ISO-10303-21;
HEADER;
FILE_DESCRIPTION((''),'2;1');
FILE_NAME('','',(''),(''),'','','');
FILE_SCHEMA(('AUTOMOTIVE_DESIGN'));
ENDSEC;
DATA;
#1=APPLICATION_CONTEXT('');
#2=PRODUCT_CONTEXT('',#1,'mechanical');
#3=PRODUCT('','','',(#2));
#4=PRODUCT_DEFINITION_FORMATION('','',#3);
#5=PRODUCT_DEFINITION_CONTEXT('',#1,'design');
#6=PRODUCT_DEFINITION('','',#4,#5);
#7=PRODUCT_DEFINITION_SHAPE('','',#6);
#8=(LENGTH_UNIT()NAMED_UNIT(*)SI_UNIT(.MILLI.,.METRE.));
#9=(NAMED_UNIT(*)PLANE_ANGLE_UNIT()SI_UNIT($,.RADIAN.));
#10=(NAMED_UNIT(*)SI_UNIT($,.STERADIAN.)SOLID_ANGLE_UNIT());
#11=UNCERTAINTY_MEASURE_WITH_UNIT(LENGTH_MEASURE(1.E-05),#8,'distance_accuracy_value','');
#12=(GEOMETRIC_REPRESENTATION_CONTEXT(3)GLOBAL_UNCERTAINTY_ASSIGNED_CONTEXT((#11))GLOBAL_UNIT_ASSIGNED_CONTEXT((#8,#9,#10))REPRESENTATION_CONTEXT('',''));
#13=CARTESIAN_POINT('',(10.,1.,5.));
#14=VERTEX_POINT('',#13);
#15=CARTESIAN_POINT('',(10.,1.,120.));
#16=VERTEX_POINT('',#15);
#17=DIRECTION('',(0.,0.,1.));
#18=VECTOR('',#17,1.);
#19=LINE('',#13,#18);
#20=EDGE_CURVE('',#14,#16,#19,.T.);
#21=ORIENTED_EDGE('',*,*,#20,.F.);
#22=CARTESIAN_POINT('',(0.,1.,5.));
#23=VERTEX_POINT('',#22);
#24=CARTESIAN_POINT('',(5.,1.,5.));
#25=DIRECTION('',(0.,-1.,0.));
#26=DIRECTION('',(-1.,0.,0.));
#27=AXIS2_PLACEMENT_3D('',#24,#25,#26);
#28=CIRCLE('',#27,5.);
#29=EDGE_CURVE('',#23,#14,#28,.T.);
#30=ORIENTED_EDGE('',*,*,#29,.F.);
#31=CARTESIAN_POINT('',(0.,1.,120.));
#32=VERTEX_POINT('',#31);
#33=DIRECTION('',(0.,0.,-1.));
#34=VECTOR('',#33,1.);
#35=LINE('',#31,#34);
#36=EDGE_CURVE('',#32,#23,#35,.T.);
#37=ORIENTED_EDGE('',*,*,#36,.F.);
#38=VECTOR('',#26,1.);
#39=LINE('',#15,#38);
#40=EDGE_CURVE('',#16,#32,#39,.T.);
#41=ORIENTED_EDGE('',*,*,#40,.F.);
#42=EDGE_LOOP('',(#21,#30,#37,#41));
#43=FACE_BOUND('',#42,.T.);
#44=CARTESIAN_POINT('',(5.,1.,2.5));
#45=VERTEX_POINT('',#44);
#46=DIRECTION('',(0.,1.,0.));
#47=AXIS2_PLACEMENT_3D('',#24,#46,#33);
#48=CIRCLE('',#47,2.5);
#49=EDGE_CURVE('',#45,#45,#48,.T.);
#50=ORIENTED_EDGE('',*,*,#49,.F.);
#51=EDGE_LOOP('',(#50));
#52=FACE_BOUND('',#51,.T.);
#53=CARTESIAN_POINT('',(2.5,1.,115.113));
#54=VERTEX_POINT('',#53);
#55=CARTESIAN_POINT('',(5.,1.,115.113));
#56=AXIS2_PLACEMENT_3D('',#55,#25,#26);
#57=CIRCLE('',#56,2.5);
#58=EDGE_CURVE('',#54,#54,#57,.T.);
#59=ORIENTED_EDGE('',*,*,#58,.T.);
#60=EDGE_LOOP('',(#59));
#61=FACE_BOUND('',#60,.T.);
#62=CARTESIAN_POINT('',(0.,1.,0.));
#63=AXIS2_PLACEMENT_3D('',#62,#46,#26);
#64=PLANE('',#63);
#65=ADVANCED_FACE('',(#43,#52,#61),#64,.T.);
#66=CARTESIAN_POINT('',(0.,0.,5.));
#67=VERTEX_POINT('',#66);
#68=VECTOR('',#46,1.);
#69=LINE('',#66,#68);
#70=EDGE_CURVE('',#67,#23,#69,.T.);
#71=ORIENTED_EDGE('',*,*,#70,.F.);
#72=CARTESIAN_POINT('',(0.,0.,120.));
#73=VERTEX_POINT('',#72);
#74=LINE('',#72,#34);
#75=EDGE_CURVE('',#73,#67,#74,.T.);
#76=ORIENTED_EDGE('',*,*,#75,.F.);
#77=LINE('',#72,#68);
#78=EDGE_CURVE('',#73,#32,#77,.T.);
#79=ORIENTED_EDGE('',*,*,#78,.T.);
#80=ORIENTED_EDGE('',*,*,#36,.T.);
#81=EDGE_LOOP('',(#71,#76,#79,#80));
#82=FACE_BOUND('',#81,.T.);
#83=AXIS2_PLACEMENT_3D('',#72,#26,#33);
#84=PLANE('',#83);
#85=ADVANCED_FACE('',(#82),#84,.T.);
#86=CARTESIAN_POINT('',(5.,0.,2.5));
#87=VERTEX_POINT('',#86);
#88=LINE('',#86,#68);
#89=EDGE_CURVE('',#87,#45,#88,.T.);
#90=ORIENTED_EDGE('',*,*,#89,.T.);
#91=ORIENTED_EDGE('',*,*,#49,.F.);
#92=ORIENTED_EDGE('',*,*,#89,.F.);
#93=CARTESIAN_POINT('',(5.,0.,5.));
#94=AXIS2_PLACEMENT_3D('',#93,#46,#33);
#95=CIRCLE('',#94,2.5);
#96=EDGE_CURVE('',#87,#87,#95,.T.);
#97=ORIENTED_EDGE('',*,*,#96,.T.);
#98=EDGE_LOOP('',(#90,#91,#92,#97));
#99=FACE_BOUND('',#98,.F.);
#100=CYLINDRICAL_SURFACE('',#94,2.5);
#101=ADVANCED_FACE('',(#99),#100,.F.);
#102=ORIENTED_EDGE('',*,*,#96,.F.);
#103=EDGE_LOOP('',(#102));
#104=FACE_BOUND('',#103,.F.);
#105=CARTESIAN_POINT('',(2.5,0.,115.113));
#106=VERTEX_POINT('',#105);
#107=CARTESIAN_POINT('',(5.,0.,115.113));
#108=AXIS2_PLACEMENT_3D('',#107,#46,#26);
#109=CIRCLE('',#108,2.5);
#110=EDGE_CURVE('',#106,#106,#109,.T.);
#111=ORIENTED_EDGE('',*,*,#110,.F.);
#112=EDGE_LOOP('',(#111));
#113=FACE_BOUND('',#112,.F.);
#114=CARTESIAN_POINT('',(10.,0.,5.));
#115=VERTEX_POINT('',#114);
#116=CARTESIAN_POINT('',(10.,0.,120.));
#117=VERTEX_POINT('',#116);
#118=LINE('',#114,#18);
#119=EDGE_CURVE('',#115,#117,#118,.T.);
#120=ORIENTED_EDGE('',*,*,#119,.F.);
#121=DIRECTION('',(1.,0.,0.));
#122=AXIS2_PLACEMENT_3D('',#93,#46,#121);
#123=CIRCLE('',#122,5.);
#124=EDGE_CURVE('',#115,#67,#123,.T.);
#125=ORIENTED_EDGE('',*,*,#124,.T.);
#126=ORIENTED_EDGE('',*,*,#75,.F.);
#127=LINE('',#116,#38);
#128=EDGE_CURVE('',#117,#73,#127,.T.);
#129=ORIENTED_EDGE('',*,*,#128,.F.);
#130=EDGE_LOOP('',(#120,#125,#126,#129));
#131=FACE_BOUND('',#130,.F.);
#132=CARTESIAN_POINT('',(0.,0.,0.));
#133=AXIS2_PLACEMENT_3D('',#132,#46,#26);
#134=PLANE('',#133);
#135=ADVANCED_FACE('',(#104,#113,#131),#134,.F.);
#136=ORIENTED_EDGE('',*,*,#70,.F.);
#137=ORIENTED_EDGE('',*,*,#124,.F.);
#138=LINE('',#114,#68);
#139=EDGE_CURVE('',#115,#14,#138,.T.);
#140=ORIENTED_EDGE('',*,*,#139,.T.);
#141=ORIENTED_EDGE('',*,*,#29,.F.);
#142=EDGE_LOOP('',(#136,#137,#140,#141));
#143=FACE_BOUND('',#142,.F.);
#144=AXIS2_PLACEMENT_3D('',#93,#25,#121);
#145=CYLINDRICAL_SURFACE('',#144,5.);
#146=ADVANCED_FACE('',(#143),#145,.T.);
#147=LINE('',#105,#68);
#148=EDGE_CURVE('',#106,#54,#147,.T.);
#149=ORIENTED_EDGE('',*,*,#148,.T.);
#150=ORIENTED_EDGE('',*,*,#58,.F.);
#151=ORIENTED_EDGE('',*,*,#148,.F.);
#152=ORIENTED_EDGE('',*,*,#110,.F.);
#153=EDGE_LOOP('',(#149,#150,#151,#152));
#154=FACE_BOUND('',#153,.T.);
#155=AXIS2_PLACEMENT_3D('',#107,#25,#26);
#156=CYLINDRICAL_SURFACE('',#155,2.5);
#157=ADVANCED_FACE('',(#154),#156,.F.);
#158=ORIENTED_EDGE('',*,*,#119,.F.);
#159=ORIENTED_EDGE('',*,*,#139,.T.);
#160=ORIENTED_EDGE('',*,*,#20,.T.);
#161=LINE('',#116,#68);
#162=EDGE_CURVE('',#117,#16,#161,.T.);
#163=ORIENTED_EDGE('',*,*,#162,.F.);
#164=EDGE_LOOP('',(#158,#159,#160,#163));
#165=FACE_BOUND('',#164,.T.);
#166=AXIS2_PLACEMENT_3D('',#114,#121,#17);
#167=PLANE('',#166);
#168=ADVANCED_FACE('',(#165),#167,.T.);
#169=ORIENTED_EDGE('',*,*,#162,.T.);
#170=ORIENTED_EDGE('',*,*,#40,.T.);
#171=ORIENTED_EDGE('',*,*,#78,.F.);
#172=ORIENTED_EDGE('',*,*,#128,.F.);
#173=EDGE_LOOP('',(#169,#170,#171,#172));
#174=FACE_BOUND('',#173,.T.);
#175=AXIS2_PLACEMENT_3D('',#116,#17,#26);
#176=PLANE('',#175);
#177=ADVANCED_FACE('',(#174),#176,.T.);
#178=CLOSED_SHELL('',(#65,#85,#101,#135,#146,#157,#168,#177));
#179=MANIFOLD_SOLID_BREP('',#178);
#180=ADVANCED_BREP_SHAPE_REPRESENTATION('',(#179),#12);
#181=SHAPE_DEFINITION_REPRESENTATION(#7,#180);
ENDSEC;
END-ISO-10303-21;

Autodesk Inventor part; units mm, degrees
ref_plane "YZ Plane" through (0, 0, 0) normal (1, 0, 0) x (0, 1, 0)
ref_plane "XZ Plane" through (0, 0, 0) normal (0, 1, 0) x (-1, 0, 0)
ref_plane "XY Plane" through (0, 0, 0) normal (0, 0, 1) x (1, 0, 0)
sketch "Skizze1" plane through (0, 0, 0) normal (0, 1, 0) x (-1, 0, 0)
  line L0 (-5, 0) -> (-5, 0)
  line L1 (-10, 5) -> (-10, 120)
  line L2 (-10, 120) -> (0, 120)
  line L3 (0, 120) -> (0, 5)
  arc A0 (-5, 0) -> (0, 5) centre (-5, 5) ccw
  arc A1 (-10, 5) -> (-5, 0) centre (-5, 5) ccw
  line L4 (-5, 5) -> (-5, 115.113)
  circle A2 centre (-5, 115.113) radius 2.5
  point P0 (0, 0)
  point P1 (-10, 0)
  dimension "d0" = 10
  dimension "d1" = 120
  dimension "d22" = 5
  dimension "d27" = 110.113
  dimension "d28" = 5
extrude "Extrusion1" add sketch "Skizze1" along normal blind 1 contours L1 L2 L3 A0 A1 | A2
extrude "Extrusion3" cut sketch "Skizze1" along normal blind 10 contours A2
hole "Bohrung3" at (5, 0, 5) direction (0, 1, 0) diameter 5 depth 8 tip angle 118
properties part number "Verbindungsstück_Rolle"
